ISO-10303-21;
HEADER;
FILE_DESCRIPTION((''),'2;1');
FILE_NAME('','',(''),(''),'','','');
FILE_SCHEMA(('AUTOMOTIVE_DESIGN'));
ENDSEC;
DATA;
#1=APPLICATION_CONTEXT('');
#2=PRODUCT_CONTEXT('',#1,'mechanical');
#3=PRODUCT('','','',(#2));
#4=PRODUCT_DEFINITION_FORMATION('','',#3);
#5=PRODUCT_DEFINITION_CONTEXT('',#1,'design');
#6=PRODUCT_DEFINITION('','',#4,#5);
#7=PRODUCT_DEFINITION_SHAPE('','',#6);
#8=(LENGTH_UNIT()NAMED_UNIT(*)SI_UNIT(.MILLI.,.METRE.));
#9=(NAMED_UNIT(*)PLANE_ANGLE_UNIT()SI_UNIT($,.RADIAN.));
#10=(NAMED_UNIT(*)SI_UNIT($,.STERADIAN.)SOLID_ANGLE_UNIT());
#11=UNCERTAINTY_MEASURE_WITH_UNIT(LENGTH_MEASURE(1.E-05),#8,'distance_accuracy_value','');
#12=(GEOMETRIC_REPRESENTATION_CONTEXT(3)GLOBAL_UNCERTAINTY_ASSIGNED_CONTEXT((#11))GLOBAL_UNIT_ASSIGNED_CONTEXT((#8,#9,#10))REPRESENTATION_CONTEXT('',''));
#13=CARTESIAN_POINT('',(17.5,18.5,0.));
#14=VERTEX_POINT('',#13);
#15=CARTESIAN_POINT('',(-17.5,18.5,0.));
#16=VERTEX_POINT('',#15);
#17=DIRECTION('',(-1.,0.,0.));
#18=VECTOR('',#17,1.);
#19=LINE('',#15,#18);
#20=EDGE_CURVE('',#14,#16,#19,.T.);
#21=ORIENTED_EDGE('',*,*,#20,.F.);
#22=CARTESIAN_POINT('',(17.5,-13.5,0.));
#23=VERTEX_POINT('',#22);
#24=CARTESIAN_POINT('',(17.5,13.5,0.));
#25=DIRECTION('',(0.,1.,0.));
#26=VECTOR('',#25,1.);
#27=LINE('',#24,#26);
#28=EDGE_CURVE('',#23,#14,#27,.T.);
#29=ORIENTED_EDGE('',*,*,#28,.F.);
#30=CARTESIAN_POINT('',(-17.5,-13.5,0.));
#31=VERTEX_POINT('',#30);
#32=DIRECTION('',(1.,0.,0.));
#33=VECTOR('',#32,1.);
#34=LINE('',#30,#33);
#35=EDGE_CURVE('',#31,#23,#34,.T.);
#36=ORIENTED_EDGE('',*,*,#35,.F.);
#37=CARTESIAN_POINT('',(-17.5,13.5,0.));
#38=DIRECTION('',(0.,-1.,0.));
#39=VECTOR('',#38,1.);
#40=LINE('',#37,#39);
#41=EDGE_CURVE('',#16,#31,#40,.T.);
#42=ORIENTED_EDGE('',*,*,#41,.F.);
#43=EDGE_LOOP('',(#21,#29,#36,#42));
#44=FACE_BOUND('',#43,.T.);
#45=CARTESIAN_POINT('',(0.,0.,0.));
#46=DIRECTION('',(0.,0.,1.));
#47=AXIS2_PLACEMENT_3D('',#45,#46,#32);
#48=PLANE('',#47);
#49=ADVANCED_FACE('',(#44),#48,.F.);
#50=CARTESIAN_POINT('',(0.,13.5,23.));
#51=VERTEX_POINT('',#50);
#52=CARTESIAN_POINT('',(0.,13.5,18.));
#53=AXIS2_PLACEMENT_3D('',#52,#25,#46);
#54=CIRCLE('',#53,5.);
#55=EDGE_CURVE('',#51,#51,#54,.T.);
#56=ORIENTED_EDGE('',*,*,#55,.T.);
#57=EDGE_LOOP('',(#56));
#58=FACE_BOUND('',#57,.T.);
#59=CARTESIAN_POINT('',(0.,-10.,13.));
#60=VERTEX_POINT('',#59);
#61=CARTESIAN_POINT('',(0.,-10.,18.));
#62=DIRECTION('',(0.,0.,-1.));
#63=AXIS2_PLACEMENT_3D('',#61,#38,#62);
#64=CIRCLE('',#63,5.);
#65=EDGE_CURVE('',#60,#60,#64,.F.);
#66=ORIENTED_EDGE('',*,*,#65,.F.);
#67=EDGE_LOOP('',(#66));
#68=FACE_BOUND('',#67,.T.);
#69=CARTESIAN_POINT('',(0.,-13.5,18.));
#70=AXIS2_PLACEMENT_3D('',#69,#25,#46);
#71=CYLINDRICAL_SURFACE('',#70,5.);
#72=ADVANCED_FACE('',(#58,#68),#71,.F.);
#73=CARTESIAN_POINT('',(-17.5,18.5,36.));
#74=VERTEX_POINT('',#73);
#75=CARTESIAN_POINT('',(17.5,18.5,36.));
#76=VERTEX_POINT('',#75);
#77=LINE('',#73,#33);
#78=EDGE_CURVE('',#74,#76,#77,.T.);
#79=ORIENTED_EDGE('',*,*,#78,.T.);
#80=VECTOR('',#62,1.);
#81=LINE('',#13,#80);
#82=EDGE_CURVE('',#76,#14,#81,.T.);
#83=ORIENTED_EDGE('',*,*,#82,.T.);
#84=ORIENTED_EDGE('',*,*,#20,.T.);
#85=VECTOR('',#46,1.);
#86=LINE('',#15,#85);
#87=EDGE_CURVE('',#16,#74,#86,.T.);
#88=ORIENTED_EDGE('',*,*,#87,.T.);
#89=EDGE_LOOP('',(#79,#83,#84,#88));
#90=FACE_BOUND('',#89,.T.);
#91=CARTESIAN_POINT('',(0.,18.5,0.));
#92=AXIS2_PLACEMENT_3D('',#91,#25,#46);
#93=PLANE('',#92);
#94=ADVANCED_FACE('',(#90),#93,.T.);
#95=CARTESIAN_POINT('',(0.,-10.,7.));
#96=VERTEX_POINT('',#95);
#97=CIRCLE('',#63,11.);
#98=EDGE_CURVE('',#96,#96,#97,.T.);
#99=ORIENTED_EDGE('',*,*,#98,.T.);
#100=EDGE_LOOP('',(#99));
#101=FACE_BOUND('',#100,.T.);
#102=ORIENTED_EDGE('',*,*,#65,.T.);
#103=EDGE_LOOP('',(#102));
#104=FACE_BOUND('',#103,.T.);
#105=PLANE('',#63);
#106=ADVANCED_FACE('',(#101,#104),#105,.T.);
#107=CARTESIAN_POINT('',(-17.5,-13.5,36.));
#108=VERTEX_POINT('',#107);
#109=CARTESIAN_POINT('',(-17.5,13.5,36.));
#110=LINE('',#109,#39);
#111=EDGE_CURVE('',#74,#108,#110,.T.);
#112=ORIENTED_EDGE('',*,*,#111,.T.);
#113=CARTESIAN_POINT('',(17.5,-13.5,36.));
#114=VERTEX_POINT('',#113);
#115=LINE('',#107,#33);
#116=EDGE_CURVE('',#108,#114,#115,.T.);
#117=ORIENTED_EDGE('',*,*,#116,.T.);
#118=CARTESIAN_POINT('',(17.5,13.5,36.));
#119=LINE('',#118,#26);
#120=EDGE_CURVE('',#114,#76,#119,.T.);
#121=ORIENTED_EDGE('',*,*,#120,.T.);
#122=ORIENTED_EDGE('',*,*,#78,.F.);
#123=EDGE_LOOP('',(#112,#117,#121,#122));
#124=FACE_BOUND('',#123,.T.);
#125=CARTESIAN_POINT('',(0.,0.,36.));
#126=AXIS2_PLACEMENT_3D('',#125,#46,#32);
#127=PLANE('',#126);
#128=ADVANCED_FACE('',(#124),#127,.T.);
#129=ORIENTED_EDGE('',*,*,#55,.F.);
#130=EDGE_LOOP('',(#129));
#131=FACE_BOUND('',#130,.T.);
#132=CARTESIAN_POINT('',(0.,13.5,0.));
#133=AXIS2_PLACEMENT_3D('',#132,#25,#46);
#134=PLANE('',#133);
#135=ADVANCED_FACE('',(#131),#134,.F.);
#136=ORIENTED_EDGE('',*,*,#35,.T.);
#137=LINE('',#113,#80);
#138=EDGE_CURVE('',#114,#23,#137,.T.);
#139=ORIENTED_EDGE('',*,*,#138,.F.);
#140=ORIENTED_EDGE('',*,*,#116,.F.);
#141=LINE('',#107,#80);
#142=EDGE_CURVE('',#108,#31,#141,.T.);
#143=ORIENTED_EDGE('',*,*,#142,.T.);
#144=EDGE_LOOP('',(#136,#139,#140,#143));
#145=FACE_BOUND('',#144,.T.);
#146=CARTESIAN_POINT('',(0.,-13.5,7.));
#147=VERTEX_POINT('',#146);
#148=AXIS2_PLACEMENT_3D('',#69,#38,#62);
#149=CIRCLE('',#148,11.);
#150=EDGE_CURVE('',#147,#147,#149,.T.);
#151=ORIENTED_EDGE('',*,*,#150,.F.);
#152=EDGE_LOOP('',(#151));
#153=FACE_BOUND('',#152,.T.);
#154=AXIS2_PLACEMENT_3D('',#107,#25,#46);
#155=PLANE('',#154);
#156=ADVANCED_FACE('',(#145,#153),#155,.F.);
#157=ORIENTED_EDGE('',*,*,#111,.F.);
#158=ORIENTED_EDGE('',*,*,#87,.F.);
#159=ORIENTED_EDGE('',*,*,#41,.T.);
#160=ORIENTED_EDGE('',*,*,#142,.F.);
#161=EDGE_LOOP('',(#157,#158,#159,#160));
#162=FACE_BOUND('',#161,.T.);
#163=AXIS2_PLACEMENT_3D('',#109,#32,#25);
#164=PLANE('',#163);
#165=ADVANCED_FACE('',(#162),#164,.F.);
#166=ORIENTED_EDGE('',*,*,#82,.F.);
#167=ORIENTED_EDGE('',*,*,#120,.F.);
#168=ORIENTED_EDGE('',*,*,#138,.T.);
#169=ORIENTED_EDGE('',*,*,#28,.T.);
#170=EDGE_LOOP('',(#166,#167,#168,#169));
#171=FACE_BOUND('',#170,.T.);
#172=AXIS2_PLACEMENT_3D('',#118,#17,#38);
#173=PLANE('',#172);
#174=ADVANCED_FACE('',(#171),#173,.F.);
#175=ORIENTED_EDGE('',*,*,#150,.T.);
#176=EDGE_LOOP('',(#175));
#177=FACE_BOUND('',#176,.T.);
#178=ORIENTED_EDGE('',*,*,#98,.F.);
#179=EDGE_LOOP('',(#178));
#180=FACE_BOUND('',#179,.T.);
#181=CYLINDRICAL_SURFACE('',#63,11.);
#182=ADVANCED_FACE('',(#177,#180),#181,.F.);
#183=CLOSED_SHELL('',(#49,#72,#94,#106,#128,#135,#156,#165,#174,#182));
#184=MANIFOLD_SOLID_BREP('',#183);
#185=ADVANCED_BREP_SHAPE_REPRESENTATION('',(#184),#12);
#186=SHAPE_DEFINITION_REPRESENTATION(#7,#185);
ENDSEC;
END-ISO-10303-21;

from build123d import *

# Parameters (mm, degrees)
SCHIZZO1_W                   = 35
SCHIZZO1_H                   = 27
ESTRUSIONE_ESTRUSIONE1_DEPTH = 36
SCHIZZO3_R                   = 5
TAGLIO_ESTRUSIONE1_DEPTH     = 28
SCHIZZO4_R                   = 11
TAGLIO_ESTRUSIONE2_DEPTH     = 3.5
SCHIZZO7_W                   = 35
SCHIZZO7_H                   = 36
ESTRUSIONE_ESTRUSIONE3_DEPTH = 5


with BuildPart() as part:
    # Schizzo1 → Estrusione-Estrusione1 (new body)
    with BuildSketch(Plane.XY):
        Rectangle(SCHIZZO1_W, SCHIZZO1_H)
    extrude(amount=ESTRUSIONE_ESTRUSIONE1_DEPTH)

    # Schizzo3 → Taglio-Estrusione1 (cut, through all)
    with BuildSketch(Plane(origin=(0, 13.5, 0), x_dir=(1, 0, 0), z_dir=(0, 1, 0))):
        with Locations((0, -18)):
            Circle(SCHIZZO3_R)
    extrude(amount=-TAGLIO_ESTRUSIONE1_DEPTH, mode=Mode.SUBTRACT)

    # Schizzo4 → Taglio-Estrusione2 (cut)
    with BuildSketch(Plane.XZ.offset(13.5)):
        with Locations((0, 18)):
            Circle(SCHIZZO4_R)
    extrude(amount=-TAGLIO_ESTRUSIONE2_DEPTH, mode=Mode.SUBTRACT)

    # Schizzo7 → Estrusione-Estrusione3 (add)
    with BuildSketch(Plane(origin=(0, 13.5, 0), x_dir=(1, 0, 0), z_dir=(0, 1, 0))):
        with Locations((0, -18)):
            Rectangle(SCHIZZO7_W, SCHIZZO7_H)
    extrude(amount=ESTRUSIONE_ESTRUSIONE3_DEPTH)


solid = part.part
